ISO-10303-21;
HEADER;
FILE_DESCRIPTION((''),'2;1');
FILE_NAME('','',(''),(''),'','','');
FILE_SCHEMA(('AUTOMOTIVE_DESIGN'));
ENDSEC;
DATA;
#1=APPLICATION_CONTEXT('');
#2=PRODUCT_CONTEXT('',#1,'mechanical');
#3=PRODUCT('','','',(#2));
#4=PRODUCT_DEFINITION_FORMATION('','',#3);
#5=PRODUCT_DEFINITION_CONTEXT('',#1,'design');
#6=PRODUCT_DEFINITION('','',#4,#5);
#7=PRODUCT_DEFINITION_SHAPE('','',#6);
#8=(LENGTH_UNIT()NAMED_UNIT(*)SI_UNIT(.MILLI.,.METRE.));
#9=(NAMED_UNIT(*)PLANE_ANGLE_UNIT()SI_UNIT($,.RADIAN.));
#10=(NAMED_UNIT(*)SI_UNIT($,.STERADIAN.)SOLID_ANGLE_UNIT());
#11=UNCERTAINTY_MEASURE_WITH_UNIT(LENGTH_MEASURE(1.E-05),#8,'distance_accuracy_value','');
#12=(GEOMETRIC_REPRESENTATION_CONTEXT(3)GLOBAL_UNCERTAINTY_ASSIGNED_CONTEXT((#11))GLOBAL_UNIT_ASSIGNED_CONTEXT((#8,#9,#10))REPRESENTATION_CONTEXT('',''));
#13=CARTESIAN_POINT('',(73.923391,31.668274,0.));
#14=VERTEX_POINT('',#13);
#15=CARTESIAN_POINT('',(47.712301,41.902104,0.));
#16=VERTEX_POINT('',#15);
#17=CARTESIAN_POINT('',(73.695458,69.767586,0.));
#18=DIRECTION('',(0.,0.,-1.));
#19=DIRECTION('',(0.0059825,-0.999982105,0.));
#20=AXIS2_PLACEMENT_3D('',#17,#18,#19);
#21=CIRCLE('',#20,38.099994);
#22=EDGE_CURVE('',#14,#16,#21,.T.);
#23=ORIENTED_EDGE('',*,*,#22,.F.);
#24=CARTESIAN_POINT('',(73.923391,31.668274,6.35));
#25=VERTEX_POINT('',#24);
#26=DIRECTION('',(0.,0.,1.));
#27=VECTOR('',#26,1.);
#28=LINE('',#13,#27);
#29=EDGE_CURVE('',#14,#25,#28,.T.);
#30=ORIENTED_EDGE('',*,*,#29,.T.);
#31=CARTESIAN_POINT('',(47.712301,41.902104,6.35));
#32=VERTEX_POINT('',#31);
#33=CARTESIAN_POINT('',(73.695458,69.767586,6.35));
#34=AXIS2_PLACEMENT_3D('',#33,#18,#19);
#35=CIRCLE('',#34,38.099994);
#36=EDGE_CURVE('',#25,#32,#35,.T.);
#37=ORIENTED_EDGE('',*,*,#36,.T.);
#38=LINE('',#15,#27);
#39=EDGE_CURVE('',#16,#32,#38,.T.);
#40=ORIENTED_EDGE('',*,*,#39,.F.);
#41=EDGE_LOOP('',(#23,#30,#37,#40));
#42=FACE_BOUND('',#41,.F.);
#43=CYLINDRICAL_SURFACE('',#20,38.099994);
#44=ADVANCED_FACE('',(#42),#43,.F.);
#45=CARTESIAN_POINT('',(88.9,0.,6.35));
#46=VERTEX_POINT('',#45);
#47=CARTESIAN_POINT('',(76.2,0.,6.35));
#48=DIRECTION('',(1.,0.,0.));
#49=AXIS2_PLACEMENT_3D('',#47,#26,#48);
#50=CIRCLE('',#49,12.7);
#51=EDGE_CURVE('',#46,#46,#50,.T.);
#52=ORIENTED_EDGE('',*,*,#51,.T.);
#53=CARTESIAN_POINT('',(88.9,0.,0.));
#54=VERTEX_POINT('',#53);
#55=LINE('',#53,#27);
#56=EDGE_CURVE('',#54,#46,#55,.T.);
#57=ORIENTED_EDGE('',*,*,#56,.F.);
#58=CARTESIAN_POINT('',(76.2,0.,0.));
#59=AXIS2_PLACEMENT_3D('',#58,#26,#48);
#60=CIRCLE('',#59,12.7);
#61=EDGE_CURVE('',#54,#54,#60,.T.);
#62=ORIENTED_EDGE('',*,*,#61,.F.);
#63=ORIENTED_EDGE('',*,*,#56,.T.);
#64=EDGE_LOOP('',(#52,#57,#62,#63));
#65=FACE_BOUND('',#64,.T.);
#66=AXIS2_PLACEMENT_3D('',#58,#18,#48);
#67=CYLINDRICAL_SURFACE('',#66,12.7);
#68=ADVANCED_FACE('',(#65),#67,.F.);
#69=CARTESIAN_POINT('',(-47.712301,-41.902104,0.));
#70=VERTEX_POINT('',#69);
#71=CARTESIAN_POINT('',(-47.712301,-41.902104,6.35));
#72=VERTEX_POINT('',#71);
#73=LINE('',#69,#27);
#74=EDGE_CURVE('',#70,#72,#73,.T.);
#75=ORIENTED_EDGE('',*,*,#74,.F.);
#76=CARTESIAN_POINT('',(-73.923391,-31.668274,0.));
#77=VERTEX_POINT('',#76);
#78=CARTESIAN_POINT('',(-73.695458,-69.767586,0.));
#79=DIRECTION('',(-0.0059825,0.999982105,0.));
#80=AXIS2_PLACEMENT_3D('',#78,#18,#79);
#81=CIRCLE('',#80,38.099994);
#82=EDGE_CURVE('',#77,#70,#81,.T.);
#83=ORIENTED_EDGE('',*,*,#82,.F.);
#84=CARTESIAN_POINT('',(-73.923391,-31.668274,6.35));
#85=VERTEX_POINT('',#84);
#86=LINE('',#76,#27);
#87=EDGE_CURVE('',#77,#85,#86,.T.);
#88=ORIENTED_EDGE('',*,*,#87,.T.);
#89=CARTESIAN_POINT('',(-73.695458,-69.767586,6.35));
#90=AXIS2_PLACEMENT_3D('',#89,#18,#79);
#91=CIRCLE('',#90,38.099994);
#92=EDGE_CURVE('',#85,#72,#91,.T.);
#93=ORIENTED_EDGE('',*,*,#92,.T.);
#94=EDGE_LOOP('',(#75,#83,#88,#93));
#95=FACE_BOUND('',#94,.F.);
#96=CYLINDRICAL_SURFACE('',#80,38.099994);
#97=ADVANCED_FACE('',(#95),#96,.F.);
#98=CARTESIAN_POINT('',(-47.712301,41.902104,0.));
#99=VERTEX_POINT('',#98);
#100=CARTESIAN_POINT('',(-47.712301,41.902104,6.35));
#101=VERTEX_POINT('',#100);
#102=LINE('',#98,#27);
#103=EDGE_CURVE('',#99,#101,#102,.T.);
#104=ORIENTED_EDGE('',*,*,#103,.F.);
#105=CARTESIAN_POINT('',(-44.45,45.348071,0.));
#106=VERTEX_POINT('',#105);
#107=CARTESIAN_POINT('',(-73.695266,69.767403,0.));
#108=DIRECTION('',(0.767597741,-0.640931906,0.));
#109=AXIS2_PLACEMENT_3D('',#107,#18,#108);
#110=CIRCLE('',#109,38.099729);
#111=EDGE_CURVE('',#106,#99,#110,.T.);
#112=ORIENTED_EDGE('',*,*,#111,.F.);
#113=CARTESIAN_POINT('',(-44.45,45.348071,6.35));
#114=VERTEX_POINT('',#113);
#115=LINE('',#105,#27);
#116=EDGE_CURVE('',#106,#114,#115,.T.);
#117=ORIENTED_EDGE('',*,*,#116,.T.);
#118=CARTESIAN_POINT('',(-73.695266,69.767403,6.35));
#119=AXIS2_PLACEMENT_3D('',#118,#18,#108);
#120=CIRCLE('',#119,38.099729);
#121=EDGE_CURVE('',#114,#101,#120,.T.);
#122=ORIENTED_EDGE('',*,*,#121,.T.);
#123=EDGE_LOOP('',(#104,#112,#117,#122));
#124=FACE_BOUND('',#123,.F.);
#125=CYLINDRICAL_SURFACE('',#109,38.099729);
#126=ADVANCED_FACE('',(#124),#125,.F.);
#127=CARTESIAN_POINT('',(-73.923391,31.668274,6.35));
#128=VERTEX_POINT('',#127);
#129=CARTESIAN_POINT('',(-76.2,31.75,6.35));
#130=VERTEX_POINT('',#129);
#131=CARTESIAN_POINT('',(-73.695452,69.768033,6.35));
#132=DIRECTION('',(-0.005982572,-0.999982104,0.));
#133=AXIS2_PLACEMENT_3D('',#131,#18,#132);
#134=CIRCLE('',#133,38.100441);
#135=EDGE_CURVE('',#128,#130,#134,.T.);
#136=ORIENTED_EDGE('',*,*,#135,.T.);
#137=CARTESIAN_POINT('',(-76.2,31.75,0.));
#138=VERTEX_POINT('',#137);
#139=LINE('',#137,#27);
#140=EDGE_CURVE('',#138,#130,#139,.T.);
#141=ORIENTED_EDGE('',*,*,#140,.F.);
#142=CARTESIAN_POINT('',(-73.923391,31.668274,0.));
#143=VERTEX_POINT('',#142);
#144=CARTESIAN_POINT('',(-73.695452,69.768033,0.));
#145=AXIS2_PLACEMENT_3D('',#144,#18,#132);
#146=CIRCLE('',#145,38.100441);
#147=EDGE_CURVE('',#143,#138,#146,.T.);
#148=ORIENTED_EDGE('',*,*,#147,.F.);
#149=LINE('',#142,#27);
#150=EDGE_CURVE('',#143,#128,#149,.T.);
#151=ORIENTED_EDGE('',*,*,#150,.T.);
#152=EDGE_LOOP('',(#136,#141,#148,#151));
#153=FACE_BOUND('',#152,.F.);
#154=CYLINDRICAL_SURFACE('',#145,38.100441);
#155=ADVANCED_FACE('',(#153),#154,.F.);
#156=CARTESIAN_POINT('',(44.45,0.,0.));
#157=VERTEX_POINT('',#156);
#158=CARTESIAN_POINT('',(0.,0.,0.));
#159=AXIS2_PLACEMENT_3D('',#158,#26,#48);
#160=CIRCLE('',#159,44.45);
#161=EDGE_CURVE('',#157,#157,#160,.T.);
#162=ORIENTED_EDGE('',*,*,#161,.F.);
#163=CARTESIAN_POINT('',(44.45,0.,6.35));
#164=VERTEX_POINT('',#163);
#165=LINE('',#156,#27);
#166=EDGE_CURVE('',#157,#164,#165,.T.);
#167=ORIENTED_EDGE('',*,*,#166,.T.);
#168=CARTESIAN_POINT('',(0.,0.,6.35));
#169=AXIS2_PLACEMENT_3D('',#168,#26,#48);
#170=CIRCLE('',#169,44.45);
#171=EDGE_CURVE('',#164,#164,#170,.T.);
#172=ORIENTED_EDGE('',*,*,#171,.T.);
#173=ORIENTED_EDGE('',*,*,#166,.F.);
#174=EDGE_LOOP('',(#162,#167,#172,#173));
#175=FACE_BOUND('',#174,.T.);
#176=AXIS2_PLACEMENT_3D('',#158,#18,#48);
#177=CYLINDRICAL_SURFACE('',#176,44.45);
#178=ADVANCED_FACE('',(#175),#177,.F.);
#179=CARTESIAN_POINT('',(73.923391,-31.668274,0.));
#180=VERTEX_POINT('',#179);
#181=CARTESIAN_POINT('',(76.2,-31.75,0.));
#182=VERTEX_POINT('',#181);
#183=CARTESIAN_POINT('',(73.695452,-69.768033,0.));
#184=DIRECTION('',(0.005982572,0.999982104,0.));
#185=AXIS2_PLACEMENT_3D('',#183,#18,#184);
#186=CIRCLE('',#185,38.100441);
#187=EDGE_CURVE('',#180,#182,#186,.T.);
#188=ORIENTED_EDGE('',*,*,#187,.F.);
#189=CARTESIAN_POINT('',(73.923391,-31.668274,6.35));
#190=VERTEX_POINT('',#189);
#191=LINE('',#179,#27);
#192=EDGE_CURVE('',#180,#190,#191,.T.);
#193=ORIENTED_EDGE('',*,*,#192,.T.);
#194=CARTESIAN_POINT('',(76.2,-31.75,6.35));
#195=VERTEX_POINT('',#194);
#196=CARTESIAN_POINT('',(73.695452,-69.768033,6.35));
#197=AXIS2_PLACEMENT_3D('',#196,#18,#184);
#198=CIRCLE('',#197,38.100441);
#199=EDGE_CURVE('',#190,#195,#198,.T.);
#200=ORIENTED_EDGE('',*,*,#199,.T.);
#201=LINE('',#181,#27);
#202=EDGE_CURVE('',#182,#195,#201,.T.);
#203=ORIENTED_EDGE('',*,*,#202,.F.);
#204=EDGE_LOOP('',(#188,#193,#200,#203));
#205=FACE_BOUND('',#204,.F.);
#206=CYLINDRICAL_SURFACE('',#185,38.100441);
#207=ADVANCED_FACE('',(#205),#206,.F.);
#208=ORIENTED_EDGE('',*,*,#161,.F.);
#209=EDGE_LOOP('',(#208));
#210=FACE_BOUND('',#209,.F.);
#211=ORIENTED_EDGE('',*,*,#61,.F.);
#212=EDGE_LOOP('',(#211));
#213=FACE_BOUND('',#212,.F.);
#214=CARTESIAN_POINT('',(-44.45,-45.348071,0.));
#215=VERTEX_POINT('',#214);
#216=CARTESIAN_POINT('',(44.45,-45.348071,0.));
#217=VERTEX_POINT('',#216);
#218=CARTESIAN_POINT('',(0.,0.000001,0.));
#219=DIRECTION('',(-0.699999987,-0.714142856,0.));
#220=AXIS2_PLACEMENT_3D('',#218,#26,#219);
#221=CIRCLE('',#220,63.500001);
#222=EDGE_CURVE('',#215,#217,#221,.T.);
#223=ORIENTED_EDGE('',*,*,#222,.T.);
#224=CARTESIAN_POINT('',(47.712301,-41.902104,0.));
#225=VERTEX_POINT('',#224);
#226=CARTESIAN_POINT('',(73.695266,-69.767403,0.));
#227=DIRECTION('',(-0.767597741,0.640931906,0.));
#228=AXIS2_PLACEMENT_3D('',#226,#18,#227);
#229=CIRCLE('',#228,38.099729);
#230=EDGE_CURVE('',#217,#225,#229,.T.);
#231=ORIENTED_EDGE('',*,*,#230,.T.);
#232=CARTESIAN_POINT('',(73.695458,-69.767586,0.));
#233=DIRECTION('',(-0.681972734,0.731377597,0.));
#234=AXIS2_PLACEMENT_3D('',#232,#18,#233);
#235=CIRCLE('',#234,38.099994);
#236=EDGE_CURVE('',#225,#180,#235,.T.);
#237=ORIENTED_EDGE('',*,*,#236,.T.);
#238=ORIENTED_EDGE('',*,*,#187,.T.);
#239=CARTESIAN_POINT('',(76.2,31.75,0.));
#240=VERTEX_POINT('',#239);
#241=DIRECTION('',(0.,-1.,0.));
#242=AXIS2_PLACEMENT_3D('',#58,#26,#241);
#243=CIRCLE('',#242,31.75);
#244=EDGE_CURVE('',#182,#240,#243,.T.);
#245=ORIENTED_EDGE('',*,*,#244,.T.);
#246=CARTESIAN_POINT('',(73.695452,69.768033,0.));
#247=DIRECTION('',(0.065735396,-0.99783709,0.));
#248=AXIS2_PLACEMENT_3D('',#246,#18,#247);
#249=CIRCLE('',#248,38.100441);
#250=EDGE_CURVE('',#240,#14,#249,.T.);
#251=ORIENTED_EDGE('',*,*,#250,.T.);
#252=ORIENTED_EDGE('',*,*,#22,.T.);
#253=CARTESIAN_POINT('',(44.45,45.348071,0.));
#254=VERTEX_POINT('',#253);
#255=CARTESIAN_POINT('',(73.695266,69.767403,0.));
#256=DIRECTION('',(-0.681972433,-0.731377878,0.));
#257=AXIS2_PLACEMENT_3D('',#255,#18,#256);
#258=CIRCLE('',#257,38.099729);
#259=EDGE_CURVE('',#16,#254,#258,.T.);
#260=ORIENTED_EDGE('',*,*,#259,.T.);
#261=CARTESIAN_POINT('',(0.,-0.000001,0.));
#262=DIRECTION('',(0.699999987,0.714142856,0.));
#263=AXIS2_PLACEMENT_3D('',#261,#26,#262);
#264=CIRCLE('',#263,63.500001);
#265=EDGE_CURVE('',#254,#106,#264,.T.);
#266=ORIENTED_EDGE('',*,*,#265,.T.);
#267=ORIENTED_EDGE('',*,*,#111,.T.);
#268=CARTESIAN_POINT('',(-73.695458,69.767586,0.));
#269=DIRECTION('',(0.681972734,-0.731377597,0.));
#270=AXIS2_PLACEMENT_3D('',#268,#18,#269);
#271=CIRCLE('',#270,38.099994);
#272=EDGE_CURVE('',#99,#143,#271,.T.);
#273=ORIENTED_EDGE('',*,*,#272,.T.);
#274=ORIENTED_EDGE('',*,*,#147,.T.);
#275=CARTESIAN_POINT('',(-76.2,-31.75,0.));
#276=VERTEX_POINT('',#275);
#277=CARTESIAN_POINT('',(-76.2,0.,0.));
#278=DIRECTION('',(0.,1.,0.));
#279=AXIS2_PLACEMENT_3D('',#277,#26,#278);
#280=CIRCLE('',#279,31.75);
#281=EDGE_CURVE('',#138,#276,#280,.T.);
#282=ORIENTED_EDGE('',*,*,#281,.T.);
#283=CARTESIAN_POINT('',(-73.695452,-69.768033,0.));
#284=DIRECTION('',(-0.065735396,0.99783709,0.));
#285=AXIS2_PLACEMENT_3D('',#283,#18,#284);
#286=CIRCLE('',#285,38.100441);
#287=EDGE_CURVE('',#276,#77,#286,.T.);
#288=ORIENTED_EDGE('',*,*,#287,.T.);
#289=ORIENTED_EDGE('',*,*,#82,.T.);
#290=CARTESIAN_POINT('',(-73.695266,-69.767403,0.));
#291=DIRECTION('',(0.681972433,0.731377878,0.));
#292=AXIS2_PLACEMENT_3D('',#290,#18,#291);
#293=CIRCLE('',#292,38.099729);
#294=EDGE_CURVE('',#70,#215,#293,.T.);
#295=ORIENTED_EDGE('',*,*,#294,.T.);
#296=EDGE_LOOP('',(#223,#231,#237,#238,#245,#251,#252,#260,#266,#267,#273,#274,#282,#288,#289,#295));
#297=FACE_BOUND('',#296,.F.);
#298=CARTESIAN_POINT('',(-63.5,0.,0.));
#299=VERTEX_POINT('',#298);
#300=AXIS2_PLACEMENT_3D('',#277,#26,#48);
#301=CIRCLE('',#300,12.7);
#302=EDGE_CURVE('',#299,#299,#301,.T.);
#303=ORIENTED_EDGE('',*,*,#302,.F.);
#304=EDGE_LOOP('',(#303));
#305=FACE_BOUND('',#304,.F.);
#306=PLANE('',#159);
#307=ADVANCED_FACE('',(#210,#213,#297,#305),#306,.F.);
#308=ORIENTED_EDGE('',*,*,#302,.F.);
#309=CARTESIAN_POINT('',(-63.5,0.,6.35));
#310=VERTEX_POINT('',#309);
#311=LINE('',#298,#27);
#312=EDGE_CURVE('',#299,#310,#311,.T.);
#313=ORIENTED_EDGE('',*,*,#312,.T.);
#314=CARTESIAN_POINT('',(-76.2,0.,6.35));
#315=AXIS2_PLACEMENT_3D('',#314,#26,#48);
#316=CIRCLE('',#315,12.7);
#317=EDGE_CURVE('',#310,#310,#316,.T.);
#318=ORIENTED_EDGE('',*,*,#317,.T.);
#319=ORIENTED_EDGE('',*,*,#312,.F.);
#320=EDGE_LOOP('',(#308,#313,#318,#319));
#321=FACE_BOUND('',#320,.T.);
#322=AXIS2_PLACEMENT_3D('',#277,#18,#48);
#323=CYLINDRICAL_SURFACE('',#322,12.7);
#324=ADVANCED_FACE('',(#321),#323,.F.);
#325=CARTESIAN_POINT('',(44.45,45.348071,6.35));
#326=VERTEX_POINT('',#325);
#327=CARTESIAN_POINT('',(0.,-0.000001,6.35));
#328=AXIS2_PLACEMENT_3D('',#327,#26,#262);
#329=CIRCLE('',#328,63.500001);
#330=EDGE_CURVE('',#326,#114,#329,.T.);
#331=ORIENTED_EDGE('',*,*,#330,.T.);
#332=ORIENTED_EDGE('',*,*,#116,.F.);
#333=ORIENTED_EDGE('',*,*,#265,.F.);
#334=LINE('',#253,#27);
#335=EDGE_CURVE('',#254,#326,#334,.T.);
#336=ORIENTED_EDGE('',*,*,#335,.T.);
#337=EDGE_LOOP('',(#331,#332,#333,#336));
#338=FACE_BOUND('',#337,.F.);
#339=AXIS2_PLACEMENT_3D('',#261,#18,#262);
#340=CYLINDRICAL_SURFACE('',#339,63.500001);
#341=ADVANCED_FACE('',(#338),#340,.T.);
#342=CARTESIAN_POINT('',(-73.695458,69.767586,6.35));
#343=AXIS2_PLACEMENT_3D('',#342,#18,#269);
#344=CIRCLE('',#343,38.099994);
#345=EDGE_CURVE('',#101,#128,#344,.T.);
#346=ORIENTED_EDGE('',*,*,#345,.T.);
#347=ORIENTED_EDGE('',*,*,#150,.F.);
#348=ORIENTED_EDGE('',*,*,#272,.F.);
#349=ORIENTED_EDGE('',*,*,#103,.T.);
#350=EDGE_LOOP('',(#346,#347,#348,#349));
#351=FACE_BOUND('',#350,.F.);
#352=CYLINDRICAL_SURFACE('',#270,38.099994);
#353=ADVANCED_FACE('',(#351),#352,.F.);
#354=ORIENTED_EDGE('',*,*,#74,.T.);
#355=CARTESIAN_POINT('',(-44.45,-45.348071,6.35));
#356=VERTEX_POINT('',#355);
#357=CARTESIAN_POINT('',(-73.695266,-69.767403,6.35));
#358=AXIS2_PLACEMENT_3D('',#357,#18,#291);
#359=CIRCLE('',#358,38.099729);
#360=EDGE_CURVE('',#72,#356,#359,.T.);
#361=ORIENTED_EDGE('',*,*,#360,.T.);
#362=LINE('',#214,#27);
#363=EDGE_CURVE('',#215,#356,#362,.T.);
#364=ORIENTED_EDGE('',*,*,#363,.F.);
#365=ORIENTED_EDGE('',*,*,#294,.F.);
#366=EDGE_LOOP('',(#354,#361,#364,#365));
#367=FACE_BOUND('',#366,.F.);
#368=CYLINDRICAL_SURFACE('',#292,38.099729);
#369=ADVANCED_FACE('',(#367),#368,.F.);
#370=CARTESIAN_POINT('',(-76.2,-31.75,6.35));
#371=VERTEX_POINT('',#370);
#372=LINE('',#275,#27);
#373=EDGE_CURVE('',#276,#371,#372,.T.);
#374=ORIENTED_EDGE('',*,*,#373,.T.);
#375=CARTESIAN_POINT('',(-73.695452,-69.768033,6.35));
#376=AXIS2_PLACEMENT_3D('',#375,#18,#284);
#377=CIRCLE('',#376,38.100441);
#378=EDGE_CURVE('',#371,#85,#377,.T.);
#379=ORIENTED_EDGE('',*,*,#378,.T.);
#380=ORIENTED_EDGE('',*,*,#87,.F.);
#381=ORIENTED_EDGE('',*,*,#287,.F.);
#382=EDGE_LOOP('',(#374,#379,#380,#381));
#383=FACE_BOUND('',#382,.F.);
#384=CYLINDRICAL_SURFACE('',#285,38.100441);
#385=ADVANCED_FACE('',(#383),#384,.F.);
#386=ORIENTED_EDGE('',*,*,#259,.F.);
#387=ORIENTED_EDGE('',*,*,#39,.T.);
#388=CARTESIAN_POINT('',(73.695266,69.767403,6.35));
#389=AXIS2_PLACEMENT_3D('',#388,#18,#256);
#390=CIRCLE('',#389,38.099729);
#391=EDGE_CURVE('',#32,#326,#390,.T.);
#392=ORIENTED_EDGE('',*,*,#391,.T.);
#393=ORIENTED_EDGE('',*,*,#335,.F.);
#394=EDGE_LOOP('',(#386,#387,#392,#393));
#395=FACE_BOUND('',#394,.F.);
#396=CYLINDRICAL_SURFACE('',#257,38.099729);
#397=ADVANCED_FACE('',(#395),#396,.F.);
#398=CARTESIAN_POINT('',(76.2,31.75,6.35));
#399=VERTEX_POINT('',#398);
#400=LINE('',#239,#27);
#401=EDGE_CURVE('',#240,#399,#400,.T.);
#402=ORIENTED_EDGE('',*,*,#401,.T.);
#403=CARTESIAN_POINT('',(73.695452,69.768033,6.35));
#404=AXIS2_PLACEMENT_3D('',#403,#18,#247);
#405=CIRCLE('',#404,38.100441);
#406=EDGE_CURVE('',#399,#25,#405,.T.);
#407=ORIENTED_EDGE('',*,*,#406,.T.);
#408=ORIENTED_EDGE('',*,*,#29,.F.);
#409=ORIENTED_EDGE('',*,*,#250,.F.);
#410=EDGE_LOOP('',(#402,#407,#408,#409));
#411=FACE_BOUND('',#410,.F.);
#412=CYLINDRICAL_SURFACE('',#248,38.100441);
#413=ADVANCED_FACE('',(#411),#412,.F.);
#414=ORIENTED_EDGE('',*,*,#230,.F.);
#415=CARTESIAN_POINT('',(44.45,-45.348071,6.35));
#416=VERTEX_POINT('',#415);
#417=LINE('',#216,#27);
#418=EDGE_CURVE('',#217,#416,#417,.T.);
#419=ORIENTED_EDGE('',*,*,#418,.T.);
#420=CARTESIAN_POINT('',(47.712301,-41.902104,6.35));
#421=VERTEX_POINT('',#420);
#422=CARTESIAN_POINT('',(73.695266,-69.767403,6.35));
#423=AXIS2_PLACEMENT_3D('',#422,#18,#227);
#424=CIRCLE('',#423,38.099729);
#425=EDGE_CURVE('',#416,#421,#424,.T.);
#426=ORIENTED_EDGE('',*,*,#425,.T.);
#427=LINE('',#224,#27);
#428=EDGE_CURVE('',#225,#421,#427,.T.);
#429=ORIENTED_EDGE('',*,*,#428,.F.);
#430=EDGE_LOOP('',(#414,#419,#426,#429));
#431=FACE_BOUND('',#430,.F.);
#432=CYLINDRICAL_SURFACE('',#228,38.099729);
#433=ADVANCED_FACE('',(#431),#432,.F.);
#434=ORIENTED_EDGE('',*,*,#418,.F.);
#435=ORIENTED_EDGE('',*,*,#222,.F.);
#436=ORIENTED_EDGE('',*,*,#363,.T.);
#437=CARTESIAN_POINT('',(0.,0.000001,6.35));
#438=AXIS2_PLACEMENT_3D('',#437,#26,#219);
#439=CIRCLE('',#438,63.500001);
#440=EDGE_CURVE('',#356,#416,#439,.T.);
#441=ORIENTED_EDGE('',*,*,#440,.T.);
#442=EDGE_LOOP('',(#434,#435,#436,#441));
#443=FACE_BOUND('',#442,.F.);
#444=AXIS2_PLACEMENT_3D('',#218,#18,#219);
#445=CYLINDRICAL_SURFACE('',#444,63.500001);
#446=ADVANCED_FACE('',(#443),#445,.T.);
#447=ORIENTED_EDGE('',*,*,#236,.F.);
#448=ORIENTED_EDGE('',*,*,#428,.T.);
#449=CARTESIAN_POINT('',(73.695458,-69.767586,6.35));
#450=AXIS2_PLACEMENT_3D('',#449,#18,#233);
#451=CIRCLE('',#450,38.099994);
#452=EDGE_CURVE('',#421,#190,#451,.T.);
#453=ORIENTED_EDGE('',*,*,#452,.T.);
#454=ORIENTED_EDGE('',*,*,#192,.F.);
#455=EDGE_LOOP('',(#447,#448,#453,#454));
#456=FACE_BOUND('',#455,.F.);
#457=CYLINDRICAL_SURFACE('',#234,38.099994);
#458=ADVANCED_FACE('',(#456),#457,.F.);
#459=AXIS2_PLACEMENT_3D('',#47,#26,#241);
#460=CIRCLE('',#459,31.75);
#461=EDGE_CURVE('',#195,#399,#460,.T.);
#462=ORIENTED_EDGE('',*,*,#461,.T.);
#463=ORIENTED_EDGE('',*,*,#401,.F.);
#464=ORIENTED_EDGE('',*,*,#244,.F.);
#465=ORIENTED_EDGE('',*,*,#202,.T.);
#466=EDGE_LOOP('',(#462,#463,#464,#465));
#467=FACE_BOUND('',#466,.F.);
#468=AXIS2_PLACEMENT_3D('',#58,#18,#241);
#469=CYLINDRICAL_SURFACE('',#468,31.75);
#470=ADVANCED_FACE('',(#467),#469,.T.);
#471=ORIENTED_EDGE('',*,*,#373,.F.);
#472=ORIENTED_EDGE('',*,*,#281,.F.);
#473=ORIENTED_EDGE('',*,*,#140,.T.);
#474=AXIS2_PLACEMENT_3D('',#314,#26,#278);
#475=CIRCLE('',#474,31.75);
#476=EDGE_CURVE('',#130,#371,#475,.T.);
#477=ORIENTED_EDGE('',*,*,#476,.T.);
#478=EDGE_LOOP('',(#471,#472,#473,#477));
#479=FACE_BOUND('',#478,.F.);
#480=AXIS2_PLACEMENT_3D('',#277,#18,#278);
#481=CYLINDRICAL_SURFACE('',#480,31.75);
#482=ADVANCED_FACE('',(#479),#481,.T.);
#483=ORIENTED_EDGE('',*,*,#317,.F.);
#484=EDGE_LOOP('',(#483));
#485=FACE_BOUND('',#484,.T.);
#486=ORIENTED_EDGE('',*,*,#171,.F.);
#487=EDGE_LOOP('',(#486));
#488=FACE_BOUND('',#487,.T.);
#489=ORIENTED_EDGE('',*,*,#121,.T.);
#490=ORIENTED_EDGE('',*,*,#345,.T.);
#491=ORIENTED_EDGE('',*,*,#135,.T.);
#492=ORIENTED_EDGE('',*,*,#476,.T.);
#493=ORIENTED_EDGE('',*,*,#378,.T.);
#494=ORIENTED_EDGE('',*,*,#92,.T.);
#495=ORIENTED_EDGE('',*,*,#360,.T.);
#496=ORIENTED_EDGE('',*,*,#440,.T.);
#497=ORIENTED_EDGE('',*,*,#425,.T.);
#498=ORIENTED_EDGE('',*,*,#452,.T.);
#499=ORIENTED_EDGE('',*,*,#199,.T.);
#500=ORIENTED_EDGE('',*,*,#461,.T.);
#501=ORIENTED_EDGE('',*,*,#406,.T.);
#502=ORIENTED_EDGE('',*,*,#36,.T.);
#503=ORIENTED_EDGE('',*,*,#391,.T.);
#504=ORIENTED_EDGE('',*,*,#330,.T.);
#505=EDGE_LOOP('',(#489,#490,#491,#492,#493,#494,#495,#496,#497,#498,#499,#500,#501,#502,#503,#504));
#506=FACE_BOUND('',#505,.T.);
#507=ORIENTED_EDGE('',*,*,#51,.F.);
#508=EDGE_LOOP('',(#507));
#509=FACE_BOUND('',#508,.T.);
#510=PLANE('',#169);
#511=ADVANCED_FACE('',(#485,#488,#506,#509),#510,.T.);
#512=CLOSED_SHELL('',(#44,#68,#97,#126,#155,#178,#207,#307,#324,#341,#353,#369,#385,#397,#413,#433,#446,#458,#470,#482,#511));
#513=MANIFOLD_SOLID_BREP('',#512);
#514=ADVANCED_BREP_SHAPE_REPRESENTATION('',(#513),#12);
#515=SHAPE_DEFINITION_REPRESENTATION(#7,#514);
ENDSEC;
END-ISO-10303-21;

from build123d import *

# Parameters (mm, degrees)
F0_R     = 12.7
F0_R_2   = 44.45
F1_DEPTH = 6.35


with BuildPart() as f1:
    # F0 (on Top) → F1 (new body)
    with BuildSketch(Plane.XY):
        with BuildLine():
            ThreePointArc((47.712301, -41.902104), (59.838485, -34.276829), (73.923391, -31.668274))
            ThreePointArc((73.923391, -31.668274), (75.062306, -31.692118), (76.2, -31.75))
            ThreePointArc((76.2, -31.75), (107.95, 0), (76.2, 31.75))
            ThreePointArc((76.2, 31.75), (75.062306, 31.692118), (73.923391, 31.668274))
            ThreePointArc((73.923391, 31.668274), (59.838485, 34.276829), (47.712301, 41.902104))
            ThreePointArc((47.712301, 41.902104), (46.02745, 43.574249), (44.45, 45.348071))
            ThreePointArc((44.45, 45.348071), (0, 63.5), (-44.45, 45.348071))
            ThreePointArc((-44.45, 45.348071), (-46.02745, 43.574249), (-47.712301, 41.902104))
            ThreePointArc((-47.712301, 41.902104), (-59.838485, 34.276829), (-73.923391, 31.668274))
            ThreePointArc((-73.923391, 31.668274), (-75.062306, 31.692118), (-76.2, 31.75))
            ThreePointArc((-76.2, 31.75), (-107.95, 0), (-76.2, -31.75))
            ThreePointArc((-76.2, -31.75), (-75.062306, -31.692118), (-73.923391, -31.668274))
            ThreePointArc((-73.923391, -31.668274), (-59.838485, -34.276829), (-47.712301, -41.902104))
            ThreePointArc((-47.712301, -41.902104), (-46.02745, -43.574249), (-44.45, -45.348071))
            ThreePointArc((-44.45, -45.348071), (0, -63.5), (44.45, -45.348071))
            ThreePointArc((44.45, -45.348071), (46.02745, -43.574249), (47.712301, -41.902104))
        make_face()
        with Locations((-76.2, 0)):
            Circle(F0_R, mode=Mode.SUBTRACT)
        Circle(F0_R_2, mode=Mode.SUBTRACT)
        with Locations((76.2, 0)):
            Circle(F0_R, mode=Mode.SUBTRACT)
    extrude(amount=F1_DEPTH)


solid = f1.part
